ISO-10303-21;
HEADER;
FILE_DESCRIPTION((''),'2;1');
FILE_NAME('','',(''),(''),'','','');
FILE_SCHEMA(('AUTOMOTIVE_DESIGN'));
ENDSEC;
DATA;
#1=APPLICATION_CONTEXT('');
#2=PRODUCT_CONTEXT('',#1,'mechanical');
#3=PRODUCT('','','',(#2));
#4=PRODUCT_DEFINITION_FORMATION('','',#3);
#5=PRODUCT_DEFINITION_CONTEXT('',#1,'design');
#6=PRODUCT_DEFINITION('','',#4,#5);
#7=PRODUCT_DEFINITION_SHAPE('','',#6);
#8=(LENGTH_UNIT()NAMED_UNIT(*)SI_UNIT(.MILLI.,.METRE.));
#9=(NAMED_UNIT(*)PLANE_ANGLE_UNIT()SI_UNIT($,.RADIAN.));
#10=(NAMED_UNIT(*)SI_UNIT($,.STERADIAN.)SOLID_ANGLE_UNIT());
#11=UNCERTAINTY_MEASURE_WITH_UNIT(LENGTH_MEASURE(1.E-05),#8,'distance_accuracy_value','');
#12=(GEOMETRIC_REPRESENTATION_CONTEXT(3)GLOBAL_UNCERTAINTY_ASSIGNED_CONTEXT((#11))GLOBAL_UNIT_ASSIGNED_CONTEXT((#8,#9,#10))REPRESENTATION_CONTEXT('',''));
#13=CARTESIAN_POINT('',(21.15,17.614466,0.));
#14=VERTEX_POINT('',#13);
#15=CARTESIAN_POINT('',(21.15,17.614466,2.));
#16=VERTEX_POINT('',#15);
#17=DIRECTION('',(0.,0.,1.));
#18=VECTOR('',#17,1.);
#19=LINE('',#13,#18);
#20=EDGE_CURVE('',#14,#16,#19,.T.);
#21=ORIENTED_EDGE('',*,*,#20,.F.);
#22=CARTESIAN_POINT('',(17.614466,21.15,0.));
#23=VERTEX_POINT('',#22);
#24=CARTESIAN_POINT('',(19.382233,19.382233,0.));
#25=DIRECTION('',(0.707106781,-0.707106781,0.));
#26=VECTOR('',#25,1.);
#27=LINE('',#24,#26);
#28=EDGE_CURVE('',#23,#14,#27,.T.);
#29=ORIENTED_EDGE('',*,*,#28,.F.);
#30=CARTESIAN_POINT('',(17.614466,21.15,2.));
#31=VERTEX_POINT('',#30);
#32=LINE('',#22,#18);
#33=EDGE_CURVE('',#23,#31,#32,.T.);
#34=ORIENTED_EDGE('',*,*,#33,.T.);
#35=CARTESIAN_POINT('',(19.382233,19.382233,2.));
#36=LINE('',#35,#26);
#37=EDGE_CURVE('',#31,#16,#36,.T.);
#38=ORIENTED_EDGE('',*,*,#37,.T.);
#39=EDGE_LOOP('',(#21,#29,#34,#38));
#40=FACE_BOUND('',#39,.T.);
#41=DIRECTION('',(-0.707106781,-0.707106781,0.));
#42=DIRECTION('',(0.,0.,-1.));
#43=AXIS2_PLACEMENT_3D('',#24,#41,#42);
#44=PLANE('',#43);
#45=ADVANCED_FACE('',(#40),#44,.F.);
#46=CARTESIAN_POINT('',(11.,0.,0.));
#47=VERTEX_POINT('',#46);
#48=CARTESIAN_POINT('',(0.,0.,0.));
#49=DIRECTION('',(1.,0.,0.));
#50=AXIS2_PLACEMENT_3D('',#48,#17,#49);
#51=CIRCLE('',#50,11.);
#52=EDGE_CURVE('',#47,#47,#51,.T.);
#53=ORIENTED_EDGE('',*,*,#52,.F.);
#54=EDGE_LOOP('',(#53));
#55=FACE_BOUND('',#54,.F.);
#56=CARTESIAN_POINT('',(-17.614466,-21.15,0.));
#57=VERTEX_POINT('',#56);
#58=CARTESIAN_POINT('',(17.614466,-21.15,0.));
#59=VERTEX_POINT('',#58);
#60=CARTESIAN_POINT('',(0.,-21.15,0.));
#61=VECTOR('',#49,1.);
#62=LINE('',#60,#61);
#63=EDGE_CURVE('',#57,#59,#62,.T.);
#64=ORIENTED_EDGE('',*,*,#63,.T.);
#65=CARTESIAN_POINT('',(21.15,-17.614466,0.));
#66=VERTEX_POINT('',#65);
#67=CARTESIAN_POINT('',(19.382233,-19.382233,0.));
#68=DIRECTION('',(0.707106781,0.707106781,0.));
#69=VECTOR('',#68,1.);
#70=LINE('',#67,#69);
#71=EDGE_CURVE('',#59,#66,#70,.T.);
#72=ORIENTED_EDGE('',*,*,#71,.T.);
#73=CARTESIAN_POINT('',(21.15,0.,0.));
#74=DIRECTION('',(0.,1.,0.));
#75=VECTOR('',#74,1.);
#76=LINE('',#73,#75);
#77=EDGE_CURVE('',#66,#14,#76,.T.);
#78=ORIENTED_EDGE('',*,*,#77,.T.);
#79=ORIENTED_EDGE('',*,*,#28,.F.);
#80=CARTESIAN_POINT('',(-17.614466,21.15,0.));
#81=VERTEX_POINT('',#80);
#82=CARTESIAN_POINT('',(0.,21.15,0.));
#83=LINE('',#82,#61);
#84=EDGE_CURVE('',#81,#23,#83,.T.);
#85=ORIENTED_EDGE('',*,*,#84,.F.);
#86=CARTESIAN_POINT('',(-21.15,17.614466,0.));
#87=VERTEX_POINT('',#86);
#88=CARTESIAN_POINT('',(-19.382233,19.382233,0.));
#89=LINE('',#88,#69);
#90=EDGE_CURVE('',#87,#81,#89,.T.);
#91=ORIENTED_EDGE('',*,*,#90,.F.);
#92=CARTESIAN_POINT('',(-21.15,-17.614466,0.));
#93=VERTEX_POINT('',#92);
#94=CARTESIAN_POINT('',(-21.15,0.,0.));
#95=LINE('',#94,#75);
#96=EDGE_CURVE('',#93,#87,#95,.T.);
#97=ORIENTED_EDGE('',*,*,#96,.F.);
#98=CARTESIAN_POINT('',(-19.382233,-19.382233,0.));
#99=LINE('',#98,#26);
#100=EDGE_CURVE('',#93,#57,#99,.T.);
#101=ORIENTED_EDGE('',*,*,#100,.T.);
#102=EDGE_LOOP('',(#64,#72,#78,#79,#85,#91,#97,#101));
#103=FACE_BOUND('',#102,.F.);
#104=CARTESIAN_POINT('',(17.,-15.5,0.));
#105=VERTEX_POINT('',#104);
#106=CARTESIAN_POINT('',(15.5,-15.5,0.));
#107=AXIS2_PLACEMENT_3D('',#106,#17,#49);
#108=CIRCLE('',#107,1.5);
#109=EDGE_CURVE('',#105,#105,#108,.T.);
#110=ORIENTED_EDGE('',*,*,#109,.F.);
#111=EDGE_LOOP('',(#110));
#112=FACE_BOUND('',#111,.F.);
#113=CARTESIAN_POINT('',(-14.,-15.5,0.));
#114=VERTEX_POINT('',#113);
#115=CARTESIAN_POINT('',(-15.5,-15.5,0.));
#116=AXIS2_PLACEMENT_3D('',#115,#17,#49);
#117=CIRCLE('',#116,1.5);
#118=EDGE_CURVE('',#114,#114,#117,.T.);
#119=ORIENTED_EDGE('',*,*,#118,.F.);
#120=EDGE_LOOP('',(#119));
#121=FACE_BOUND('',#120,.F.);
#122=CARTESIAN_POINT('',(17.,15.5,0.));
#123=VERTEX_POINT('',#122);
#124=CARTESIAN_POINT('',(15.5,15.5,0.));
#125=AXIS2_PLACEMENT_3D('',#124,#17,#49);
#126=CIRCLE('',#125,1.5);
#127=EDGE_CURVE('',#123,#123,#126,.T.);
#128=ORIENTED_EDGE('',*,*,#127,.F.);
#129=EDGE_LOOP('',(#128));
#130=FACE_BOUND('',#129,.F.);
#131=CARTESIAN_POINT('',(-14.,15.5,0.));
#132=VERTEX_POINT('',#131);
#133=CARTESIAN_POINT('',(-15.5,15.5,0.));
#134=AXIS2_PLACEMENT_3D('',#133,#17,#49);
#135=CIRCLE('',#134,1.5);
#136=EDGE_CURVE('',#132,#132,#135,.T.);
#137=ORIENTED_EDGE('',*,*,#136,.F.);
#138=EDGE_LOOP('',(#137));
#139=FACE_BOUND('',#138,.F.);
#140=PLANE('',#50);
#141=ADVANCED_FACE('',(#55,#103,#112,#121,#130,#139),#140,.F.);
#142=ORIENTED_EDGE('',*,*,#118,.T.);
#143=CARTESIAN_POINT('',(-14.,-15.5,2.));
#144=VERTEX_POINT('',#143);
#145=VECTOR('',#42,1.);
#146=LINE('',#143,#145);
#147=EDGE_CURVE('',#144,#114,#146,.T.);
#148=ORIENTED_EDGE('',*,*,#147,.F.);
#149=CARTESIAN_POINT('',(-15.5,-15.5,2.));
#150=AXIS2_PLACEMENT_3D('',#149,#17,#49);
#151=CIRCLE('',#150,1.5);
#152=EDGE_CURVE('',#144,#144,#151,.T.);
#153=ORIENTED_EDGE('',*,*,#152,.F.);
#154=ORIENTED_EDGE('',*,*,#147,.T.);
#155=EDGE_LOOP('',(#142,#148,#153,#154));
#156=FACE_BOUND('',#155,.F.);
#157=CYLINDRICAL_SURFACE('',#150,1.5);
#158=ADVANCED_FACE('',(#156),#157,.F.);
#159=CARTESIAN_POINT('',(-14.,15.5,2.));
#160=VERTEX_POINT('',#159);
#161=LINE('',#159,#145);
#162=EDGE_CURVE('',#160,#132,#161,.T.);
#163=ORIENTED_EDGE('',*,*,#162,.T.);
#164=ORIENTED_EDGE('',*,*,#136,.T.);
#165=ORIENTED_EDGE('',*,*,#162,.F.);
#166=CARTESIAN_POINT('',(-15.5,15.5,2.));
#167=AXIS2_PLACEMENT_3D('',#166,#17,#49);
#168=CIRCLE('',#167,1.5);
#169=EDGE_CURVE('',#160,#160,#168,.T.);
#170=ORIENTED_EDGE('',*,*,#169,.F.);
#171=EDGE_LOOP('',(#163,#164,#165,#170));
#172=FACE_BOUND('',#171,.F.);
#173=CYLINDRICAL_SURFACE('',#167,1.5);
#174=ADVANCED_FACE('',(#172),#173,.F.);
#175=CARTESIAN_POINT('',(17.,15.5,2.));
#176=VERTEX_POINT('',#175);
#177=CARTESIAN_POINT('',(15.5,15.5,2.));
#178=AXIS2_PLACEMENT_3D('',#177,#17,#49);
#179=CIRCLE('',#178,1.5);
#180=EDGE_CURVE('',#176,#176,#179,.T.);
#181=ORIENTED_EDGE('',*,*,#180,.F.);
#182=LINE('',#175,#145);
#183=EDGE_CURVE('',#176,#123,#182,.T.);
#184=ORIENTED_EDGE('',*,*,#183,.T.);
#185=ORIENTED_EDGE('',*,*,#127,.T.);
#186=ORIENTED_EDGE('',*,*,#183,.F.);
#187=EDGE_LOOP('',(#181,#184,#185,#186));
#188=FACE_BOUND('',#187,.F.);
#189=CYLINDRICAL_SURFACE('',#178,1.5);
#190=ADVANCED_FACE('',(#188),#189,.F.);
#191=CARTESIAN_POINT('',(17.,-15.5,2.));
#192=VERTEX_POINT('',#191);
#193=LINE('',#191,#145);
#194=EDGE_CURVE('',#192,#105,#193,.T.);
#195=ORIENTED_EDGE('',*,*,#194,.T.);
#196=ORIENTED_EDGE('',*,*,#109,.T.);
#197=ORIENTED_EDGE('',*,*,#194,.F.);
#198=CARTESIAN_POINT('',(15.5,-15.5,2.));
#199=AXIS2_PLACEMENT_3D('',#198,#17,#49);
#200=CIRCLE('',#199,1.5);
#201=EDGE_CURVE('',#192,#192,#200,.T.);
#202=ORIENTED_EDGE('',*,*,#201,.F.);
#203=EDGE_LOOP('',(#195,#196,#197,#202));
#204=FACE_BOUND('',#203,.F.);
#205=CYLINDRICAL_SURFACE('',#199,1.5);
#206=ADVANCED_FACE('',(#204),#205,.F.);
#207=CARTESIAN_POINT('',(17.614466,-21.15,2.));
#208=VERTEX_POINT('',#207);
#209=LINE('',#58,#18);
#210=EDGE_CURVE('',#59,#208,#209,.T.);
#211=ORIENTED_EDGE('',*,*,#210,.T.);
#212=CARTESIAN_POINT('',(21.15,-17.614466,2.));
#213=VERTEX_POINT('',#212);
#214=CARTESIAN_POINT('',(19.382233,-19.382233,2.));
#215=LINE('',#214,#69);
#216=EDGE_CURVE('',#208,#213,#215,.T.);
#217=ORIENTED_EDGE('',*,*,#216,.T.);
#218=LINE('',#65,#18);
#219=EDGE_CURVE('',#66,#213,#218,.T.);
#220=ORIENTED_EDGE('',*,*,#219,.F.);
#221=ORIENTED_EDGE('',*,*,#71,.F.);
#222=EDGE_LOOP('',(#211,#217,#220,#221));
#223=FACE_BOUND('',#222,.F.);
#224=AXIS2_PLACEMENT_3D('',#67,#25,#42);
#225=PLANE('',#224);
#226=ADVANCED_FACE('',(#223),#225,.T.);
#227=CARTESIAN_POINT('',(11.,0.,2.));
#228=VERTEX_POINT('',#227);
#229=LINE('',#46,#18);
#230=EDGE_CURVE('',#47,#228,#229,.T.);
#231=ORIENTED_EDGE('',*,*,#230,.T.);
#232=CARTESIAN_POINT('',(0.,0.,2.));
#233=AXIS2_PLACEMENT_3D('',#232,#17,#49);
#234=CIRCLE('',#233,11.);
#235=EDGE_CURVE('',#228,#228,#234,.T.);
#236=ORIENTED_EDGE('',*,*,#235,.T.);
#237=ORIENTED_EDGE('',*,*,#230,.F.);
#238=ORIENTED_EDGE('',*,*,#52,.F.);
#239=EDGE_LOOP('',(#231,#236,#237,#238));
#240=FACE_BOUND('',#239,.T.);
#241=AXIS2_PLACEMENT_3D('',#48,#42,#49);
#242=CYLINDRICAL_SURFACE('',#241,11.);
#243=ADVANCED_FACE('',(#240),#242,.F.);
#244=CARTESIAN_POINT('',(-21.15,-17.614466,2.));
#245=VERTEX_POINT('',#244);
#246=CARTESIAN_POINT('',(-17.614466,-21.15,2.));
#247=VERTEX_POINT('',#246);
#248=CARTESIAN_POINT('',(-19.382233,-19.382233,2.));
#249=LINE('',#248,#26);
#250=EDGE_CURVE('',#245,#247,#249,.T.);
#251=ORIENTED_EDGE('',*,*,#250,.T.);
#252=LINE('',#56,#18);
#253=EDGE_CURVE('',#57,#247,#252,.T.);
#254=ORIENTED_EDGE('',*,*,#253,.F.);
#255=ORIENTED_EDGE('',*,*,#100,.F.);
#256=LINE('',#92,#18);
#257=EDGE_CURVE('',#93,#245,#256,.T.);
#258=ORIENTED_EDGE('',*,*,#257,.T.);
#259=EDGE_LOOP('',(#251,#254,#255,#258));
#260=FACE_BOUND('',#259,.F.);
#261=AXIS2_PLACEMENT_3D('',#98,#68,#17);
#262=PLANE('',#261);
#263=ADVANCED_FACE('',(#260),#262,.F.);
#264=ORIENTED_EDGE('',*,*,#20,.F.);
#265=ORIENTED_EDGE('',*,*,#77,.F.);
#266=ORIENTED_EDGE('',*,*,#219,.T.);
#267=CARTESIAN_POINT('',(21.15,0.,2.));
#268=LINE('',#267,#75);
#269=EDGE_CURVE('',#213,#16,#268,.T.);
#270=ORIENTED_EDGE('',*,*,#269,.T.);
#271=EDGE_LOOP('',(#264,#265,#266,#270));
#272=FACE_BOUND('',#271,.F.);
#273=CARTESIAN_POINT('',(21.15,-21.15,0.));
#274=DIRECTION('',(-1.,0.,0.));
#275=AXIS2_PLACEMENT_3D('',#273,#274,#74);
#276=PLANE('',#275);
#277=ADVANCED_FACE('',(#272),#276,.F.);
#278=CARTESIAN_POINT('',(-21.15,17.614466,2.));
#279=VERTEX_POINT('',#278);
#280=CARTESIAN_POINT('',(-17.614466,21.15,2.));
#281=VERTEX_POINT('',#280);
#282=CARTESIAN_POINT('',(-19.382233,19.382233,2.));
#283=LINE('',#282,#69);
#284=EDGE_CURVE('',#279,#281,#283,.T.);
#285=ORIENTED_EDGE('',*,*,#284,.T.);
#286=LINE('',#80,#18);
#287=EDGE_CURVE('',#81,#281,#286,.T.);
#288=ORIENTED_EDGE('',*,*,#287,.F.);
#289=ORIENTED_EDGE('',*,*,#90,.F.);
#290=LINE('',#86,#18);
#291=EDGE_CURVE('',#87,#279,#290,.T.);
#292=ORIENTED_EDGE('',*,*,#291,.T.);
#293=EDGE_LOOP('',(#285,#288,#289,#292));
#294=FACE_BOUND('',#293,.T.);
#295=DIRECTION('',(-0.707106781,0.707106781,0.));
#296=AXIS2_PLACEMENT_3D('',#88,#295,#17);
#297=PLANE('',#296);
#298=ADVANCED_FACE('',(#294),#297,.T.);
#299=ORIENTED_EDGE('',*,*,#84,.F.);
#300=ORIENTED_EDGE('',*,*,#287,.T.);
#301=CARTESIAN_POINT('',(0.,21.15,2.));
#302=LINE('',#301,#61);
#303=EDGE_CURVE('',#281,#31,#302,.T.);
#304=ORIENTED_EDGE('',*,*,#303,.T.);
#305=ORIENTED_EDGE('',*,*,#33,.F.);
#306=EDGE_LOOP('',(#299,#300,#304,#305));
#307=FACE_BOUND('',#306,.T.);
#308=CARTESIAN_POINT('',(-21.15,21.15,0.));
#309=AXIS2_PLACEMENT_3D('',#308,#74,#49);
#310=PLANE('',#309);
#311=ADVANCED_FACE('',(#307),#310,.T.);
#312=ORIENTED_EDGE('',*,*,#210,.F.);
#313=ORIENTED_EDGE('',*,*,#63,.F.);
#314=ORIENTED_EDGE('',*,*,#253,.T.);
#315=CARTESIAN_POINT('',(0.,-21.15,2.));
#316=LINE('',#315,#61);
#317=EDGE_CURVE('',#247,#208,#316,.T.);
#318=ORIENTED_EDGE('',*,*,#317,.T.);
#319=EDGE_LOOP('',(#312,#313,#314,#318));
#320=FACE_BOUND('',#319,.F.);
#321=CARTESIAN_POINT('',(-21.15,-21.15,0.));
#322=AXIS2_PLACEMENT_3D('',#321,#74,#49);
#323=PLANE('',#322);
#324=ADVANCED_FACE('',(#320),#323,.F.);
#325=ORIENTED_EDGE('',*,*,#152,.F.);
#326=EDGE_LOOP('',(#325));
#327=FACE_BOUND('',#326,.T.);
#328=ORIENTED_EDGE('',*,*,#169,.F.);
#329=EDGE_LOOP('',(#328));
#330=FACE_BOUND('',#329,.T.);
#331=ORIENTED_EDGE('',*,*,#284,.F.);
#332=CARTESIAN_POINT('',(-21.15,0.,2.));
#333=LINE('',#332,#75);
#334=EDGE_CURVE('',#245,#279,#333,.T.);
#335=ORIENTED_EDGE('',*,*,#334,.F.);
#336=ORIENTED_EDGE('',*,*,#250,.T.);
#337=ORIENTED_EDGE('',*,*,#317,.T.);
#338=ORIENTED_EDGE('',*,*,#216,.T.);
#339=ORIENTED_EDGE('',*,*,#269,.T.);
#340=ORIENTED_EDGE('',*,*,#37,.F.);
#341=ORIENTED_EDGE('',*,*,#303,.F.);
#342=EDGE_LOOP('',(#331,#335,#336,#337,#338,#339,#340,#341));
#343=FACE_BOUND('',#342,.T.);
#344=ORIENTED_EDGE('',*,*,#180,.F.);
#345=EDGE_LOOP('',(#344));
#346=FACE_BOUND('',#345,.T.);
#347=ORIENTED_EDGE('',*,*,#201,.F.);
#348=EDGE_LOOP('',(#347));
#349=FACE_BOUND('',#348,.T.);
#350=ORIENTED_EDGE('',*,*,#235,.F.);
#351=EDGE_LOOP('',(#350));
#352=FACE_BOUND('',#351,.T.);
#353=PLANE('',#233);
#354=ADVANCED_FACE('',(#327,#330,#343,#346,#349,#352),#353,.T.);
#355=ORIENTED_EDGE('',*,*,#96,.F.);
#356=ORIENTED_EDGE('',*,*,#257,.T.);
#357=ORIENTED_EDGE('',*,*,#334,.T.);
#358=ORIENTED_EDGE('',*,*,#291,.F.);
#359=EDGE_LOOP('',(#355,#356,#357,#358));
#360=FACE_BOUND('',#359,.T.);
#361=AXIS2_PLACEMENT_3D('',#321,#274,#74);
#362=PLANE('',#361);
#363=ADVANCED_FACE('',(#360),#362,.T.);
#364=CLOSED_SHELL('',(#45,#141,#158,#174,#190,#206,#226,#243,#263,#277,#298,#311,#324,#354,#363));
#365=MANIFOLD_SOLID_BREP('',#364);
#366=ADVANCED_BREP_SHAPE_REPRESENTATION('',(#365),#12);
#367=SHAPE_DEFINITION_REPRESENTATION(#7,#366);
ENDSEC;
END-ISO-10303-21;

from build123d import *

# Parameters (mm, degrees)
SKETCH_W     = 42.3
SKETCH_H     = 42.3
SKETCH_R     = 11
PAD_DEPTH    = 2
CHAMFER_SIZE = 3.535534
SKETCH001_R  = 1.5
POCKET_DEPTH = 2.001


with BuildPart() as part:
    # Sketch → Pad (new body)
    with BuildSketch(Plane.XY):
        Rectangle(SKETCH_W, SKETCH_H)
        Circle(SKETCH_R, mode=Mode.SUBTRACT)
    extrude(amount=PAD_DEPTH)

    # Chamfer
    chamfer_edges = [part.edges().sort_by_distance(p)[0] for p in [
        (21.15, -21.15, 1),
        (21.15, 21.15, 1),
        (-21.15, -21.15, 1),
        (-21.15, 21.15, 1),
    ]]
    chamfer(chamfer_edges, length=CHAMFER_SIZE)

    # Sketch001 (on Face5 of Chamfer) → Pocket (cut, through all)
    with BuildSketch(Plane.XY.offset(2)):
        with Locations((15.5, 15.5)):
            Circle(SKETCH001_R)
        with Locations((-15.5, -15.5)):
            Circle(SKETCH001_R)
        with Locations((15.5, -15.5)):
            Circle(SKETCH001_R)
        with Locations((-15.5, 15.5)):
            Circle(SKETCH001_R)
    extrude(amount=-POCKET_DEPTH, mode=Mode.SUBTRACT)


solid = part.part
